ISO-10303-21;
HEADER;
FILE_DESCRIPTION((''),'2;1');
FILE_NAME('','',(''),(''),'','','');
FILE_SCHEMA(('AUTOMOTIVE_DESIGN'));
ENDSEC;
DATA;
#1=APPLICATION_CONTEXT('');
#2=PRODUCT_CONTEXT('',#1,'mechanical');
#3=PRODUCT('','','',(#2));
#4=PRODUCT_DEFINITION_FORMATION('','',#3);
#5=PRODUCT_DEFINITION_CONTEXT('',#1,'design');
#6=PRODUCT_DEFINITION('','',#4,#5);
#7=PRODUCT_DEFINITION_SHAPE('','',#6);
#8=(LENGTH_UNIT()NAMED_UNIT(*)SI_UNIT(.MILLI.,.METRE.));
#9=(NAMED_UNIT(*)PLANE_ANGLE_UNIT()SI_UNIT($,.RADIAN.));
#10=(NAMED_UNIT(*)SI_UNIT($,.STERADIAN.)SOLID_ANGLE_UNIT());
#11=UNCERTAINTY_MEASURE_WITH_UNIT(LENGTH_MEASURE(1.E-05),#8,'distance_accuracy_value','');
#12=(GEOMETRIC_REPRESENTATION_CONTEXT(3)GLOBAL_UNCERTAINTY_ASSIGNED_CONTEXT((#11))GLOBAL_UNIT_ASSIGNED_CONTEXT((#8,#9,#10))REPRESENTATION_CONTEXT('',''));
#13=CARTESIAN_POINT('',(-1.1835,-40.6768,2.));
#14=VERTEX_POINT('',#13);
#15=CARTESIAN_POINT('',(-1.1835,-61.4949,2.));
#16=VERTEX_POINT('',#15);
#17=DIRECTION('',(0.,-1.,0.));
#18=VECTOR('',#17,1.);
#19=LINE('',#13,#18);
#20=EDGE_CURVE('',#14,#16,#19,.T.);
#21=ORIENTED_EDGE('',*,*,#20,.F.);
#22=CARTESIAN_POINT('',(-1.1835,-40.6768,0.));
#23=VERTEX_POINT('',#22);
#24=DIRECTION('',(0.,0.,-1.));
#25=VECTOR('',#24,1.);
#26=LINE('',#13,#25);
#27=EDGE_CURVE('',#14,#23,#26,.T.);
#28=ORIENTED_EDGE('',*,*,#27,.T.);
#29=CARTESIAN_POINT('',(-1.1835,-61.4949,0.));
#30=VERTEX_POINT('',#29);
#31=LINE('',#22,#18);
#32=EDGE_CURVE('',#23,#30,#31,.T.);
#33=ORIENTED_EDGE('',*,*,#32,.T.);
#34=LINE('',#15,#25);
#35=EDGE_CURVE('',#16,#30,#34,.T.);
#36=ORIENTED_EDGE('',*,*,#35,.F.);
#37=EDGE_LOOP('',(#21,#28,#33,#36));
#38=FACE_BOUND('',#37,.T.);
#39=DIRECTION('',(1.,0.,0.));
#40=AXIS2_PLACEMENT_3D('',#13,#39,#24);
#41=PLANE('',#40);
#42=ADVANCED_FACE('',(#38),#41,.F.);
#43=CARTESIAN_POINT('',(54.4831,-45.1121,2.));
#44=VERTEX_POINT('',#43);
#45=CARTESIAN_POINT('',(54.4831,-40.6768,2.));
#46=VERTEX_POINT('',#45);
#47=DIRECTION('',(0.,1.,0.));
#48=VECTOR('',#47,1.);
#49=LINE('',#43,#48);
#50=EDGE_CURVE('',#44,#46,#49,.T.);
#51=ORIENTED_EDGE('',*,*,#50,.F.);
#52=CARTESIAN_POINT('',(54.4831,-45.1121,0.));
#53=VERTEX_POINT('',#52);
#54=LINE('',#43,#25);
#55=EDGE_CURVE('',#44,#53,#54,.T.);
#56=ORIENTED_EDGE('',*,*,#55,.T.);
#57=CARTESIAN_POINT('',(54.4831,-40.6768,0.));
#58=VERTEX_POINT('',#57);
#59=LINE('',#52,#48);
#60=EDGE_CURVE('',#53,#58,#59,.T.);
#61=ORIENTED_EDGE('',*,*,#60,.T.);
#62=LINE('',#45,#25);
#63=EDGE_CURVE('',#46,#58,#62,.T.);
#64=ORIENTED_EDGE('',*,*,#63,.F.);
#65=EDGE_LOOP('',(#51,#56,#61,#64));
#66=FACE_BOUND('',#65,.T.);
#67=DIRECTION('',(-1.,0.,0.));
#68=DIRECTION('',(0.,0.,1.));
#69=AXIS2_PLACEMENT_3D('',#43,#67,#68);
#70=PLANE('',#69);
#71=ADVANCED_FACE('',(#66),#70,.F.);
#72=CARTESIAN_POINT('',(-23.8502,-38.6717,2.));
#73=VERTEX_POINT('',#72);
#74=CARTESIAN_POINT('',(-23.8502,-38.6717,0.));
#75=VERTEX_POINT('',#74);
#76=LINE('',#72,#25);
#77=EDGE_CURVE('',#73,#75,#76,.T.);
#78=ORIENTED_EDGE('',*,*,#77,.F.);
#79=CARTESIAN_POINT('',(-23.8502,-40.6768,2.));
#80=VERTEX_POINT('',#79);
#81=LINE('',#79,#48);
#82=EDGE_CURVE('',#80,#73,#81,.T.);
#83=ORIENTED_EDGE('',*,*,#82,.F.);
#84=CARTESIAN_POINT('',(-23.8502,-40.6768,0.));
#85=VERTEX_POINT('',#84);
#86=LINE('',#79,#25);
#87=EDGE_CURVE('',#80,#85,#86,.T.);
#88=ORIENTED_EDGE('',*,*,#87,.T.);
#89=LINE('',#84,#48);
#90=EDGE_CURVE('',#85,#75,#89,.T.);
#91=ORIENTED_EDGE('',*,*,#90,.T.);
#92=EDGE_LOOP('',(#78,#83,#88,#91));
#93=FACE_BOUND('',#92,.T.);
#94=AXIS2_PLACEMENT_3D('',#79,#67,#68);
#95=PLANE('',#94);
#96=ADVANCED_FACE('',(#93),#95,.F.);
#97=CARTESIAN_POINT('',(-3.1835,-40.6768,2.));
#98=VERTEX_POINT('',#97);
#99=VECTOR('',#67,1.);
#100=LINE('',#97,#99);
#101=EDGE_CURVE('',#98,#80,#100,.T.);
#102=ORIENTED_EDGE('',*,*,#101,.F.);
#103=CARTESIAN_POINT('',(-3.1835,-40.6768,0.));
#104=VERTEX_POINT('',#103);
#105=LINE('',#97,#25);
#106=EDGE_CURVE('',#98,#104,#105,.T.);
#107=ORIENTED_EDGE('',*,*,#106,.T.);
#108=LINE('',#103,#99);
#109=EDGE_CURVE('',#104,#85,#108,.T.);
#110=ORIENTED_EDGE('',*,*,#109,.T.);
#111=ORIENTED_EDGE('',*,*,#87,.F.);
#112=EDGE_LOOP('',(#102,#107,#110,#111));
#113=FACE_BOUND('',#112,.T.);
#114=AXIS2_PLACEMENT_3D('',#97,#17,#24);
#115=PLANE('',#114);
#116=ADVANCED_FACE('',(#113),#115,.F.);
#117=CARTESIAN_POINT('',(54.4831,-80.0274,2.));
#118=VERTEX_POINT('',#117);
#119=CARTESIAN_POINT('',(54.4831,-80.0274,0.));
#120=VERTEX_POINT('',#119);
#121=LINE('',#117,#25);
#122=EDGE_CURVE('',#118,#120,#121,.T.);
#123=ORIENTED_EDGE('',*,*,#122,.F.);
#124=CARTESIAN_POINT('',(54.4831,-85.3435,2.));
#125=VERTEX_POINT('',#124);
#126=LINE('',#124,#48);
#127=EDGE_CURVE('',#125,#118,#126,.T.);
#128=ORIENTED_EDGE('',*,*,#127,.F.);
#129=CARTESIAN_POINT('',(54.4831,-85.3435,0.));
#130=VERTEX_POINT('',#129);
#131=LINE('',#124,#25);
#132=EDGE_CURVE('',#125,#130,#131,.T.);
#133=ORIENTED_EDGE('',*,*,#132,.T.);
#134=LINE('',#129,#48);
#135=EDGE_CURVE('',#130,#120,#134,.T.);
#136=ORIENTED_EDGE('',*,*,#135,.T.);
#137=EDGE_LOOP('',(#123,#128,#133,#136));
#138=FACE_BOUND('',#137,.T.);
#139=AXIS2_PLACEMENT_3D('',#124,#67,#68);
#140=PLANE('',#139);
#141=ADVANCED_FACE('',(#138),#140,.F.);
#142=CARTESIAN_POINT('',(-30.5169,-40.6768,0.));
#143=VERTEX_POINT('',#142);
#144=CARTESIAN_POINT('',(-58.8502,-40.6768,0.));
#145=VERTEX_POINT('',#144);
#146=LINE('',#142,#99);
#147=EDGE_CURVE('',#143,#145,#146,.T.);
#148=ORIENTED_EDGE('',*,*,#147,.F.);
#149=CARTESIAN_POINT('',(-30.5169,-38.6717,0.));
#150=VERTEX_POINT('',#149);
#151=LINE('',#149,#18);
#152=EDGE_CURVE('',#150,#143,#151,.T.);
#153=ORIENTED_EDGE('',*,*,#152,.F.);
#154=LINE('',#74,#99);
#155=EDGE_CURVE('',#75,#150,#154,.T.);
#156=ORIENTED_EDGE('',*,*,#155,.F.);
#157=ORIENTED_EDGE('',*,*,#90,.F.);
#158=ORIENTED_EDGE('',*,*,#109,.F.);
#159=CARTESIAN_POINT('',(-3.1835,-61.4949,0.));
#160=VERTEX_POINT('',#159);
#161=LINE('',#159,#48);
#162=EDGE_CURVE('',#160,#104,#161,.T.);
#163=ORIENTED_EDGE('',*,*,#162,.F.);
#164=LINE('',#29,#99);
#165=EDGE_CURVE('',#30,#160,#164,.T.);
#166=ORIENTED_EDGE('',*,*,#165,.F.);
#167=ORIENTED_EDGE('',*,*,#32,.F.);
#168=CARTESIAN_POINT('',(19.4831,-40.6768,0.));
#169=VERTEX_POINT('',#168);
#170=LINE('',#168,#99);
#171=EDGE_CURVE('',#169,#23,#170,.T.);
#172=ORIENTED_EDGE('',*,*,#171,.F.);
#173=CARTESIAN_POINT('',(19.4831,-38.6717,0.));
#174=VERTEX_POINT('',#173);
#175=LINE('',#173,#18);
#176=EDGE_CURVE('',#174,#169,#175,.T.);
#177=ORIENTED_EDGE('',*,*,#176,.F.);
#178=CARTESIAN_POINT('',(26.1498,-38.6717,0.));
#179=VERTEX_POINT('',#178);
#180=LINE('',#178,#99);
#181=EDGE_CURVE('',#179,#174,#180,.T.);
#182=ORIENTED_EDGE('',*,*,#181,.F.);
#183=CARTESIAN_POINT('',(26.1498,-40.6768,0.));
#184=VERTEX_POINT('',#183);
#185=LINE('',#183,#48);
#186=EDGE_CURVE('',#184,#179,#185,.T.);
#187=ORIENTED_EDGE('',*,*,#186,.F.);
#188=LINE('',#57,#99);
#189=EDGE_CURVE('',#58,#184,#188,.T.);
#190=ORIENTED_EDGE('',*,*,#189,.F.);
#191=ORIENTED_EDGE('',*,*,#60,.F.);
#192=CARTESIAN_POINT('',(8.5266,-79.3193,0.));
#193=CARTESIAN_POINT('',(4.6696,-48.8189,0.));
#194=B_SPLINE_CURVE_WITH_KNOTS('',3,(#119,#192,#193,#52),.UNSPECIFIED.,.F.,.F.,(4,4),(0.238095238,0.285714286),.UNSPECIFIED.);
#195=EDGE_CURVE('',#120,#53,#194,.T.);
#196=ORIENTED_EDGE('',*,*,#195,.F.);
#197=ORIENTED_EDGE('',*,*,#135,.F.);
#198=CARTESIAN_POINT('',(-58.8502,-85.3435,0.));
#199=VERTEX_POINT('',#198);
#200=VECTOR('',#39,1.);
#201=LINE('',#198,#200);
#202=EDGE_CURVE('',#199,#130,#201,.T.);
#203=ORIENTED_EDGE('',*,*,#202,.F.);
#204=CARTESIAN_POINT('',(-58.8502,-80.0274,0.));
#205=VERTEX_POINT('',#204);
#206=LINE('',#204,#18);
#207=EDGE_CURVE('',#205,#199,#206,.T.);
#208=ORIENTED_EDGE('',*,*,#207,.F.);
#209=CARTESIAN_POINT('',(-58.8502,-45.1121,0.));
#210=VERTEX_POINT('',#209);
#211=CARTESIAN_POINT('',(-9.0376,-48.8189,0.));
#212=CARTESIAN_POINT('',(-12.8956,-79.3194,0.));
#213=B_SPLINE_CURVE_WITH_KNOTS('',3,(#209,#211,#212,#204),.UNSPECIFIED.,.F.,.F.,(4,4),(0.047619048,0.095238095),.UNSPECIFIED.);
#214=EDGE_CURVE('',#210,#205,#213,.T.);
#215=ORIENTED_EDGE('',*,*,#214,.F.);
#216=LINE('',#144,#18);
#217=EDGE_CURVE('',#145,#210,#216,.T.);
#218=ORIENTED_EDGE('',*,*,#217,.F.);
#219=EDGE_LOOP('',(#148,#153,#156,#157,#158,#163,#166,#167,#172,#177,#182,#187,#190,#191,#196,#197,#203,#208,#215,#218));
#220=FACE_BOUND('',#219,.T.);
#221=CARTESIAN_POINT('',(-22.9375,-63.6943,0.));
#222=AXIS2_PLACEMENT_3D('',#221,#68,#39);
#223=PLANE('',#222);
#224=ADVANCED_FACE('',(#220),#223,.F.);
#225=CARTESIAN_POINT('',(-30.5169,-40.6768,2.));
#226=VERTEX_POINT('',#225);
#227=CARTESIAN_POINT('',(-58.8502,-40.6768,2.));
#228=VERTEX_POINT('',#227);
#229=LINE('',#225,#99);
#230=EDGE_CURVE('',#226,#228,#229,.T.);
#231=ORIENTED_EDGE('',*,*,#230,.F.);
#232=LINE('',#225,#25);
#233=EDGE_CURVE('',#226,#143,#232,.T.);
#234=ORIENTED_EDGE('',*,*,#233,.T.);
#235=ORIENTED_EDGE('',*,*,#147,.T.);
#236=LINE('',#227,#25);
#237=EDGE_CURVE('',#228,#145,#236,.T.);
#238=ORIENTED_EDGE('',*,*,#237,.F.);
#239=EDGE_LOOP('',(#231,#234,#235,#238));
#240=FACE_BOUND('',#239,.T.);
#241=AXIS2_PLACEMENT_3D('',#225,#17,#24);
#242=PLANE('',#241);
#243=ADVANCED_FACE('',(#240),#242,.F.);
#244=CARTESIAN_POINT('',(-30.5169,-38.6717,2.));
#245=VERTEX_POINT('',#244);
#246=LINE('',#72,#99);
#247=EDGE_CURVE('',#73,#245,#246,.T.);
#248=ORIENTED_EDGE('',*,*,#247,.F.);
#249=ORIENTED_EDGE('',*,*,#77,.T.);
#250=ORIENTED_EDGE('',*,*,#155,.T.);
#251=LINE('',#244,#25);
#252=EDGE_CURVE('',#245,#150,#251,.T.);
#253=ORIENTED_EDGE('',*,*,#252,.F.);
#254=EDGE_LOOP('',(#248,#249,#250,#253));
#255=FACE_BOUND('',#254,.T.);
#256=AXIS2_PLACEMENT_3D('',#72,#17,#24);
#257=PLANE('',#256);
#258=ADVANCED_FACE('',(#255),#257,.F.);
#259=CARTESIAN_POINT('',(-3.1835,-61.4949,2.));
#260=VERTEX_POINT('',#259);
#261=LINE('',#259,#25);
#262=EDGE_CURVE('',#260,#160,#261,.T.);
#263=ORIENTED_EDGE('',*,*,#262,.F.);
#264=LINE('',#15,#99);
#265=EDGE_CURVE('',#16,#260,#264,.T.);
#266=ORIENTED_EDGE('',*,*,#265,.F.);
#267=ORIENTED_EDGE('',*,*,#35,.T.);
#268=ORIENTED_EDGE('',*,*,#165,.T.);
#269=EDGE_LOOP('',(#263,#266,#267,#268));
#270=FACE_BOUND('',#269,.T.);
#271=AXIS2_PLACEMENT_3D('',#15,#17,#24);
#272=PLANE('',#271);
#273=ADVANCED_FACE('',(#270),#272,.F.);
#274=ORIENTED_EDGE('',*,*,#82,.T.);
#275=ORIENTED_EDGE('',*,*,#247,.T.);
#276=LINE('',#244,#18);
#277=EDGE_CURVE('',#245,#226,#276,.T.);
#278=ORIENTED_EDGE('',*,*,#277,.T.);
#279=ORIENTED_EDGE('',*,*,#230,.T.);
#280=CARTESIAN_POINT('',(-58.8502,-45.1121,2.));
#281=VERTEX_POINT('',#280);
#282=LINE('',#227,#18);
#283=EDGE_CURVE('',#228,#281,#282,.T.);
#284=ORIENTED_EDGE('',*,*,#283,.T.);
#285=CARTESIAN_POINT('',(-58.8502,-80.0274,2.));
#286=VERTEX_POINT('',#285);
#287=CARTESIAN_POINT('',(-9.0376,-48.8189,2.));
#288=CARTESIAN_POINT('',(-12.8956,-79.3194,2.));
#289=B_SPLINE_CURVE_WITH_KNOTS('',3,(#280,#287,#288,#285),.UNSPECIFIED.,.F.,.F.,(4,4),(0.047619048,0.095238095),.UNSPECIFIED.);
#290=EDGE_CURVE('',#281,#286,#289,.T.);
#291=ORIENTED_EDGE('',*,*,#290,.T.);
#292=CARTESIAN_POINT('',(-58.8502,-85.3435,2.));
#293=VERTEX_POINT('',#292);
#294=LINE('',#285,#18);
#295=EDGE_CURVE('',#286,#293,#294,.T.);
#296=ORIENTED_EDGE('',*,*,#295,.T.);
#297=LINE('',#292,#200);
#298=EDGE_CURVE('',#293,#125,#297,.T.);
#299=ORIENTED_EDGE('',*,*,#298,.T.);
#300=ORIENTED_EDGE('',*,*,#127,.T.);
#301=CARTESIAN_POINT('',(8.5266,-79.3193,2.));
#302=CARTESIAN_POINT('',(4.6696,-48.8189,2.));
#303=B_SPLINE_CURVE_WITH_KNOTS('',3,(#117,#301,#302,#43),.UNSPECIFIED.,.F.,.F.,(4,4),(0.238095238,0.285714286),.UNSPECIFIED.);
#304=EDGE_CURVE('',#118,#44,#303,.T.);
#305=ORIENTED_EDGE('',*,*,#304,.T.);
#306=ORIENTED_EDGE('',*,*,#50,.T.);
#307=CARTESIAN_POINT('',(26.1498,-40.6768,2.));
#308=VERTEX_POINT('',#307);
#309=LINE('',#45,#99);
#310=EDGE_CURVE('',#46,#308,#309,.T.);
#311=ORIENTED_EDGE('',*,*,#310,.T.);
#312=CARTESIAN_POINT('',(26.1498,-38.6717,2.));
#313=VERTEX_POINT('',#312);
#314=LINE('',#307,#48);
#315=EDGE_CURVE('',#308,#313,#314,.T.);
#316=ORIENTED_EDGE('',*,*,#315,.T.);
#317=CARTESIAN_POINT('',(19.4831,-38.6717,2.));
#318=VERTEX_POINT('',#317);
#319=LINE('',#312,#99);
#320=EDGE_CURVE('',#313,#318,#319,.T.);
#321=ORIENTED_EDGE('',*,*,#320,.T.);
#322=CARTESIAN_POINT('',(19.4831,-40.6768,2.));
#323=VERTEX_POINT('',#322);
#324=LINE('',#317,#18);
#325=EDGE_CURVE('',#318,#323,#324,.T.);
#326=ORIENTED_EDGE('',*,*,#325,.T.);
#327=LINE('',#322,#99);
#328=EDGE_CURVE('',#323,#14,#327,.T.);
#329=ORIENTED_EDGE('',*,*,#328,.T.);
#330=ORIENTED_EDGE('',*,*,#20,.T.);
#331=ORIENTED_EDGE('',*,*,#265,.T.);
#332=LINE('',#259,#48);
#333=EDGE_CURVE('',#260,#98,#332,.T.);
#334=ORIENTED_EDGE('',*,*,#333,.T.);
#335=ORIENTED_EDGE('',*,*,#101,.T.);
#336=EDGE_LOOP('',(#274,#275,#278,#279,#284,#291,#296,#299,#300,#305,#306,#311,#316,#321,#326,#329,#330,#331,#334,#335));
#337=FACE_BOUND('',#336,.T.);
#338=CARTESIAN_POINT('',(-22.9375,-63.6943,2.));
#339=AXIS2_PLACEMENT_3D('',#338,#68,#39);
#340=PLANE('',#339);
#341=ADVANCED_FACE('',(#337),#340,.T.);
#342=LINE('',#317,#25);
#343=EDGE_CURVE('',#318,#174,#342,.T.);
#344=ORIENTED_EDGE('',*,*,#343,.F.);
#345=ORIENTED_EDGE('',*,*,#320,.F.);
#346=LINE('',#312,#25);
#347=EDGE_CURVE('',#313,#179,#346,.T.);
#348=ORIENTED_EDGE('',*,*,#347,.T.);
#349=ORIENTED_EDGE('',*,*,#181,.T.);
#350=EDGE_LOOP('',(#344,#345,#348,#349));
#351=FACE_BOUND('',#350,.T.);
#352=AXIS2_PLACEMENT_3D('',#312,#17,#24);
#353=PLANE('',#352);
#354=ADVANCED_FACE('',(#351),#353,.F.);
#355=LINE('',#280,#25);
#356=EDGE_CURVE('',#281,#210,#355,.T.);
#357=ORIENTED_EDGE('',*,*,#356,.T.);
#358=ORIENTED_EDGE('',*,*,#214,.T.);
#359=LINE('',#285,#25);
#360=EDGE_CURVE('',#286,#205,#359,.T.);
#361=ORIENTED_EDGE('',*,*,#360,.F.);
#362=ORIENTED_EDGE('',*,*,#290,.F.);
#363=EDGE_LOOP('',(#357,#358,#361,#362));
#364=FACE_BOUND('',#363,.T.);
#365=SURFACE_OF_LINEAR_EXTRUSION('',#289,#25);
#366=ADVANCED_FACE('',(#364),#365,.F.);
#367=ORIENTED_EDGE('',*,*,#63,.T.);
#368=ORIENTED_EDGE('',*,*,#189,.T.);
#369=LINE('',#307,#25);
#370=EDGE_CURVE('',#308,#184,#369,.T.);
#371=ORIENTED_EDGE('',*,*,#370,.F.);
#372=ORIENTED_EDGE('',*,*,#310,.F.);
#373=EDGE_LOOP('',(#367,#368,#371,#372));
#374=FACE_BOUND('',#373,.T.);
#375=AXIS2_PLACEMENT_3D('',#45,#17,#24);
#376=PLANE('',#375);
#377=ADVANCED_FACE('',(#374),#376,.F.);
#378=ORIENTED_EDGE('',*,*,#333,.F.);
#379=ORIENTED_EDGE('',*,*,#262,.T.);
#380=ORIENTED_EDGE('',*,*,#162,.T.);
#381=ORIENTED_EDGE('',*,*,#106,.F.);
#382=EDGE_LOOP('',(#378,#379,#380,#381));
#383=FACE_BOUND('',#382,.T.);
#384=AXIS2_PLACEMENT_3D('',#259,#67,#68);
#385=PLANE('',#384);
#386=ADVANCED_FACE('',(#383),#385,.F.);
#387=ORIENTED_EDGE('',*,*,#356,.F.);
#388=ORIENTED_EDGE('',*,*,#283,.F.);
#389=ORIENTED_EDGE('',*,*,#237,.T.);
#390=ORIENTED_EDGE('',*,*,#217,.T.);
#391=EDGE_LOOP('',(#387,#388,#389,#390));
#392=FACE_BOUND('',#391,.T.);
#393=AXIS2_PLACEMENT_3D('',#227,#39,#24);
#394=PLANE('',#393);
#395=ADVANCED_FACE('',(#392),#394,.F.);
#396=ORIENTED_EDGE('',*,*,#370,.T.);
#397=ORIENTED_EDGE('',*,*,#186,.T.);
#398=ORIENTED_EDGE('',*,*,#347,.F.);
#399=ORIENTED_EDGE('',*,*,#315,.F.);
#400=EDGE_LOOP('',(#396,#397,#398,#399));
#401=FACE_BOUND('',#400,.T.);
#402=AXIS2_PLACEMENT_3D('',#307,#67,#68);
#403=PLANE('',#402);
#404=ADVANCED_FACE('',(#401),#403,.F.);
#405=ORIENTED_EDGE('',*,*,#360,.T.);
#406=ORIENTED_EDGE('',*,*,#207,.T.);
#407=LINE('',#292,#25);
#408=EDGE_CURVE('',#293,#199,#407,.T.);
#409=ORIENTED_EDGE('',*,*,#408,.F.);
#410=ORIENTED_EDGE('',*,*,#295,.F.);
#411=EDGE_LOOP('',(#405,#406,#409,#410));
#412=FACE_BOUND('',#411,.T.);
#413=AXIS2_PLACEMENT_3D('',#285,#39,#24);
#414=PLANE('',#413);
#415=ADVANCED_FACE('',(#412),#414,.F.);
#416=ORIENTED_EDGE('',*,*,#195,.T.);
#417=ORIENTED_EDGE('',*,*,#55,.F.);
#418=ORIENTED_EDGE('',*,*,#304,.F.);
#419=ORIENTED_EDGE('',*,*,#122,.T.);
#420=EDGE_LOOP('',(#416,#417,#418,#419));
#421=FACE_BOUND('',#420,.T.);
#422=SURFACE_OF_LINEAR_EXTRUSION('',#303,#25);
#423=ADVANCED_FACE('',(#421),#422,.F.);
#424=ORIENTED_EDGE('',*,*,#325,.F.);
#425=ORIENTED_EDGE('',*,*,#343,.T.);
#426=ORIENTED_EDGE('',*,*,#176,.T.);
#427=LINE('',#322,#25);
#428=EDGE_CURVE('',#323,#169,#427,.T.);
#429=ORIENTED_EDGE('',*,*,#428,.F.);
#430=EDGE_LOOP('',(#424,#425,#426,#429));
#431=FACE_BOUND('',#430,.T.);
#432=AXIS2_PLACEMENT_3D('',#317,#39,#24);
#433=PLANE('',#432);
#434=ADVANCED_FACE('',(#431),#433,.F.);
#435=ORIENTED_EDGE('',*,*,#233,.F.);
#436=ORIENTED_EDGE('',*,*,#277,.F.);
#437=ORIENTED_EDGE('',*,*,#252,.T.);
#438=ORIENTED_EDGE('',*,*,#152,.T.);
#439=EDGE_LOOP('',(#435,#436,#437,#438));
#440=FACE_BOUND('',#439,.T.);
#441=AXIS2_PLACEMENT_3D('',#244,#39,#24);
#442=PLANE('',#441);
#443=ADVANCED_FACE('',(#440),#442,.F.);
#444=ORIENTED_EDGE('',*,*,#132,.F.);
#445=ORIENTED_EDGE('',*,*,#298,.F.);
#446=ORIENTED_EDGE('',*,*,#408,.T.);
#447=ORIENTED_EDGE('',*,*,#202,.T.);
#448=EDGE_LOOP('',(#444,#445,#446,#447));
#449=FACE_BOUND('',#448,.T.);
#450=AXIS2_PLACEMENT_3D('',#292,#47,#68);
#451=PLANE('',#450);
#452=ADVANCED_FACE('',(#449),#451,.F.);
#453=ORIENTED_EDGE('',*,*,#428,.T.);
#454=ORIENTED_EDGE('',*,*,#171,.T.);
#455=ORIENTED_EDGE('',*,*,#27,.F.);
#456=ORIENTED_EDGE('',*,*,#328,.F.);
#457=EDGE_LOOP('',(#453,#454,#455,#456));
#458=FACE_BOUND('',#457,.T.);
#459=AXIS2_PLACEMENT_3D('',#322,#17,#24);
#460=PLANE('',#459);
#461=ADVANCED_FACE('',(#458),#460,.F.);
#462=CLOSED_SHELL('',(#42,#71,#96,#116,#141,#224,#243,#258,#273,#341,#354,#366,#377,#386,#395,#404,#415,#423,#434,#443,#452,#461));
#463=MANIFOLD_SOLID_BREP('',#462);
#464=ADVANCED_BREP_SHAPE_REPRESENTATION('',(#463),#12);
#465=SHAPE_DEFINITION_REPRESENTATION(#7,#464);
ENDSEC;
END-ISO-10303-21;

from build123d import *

# Parameters (mm, degrees)
RESSALTO_EXTRUS_O1_DEPTH = 2


with BuildPart() as part:
    # Model → Ressalto-extrusão1 (new body)
    with BuildSketch(Plane.XY):
        with BuildLine():
            Line((-58.8502, -40.6768), (-58.8502, -45.1121))
            add(Edge.make_bspline(
                [(-58.8502, -45.1121), (-9.0376, -48.8189), (-12.8956, -79.3194), (-58.8502, -80.0274)],
                knots=[0.047619048, 0.047619048, 0.047619048, 0.047619048, 0.095238095, 0.095238095, 0.095238095, 0.095238095], degree=3))
            Line((-58.8502, -80.0274), (-58.8502, -85.3435))
            Line((-58.8502, -85.3435), (54.4831, -85.3435))
            Line((54.4831, -85.3435), (54.4831, -80.0274))
            add(Edge.make_bspline(
                [(54.4831, -80.0274), (8.5266, -79.3193), (4.6696, -48.8189), (54.4831, -45.1121)],
                knots=[0.238095238, 0.238095238, 0.238095238, 0.238095238, 0.285714286, 0.285714286, 0.285714286, 0.285714286], degree=3))
            Line((54.4831, -45.1121), (54.4831, -40.6768))
            Line((54.4831, -40.6768), (26.1498, -40.6768))
            Line((26.1498, -40.6768), (26.1498, -38.6717))
            Line((26.1498, -38.6717), (19.4831, -38.6717))
            Line((19.4831, -38.6717), (19.4831, -40.6768))
            Line((19.4831, -40.6768), (-1.1835, -40.6768))
            Line((-1.1835, -40.6768), (-1.1835, -61.4949))
            Line((-1.1835, -61.4949), (-3.1835, -61.4949))
            Line((-3.1835, -61.4949), (-3.1835, -40.6768))
            Line((-3.1835, -40.6768), (-23.8502, -40.6768))
            Line((-23.8502, -40.6768), (-23.8502, -38.6717))
            Line((-23.8502, -38.6717), (-30.5169, -38.6717))
            Line((-30.5169, -38.6717), (-30.5169, -40.6768))
            Line((-30.5169, -40.6768), (-58.8502, -40.6768))
        make_face()
    extrude(amount=RESSALTO_EXTRUS_O1_DEPTH)


solid = part.part
